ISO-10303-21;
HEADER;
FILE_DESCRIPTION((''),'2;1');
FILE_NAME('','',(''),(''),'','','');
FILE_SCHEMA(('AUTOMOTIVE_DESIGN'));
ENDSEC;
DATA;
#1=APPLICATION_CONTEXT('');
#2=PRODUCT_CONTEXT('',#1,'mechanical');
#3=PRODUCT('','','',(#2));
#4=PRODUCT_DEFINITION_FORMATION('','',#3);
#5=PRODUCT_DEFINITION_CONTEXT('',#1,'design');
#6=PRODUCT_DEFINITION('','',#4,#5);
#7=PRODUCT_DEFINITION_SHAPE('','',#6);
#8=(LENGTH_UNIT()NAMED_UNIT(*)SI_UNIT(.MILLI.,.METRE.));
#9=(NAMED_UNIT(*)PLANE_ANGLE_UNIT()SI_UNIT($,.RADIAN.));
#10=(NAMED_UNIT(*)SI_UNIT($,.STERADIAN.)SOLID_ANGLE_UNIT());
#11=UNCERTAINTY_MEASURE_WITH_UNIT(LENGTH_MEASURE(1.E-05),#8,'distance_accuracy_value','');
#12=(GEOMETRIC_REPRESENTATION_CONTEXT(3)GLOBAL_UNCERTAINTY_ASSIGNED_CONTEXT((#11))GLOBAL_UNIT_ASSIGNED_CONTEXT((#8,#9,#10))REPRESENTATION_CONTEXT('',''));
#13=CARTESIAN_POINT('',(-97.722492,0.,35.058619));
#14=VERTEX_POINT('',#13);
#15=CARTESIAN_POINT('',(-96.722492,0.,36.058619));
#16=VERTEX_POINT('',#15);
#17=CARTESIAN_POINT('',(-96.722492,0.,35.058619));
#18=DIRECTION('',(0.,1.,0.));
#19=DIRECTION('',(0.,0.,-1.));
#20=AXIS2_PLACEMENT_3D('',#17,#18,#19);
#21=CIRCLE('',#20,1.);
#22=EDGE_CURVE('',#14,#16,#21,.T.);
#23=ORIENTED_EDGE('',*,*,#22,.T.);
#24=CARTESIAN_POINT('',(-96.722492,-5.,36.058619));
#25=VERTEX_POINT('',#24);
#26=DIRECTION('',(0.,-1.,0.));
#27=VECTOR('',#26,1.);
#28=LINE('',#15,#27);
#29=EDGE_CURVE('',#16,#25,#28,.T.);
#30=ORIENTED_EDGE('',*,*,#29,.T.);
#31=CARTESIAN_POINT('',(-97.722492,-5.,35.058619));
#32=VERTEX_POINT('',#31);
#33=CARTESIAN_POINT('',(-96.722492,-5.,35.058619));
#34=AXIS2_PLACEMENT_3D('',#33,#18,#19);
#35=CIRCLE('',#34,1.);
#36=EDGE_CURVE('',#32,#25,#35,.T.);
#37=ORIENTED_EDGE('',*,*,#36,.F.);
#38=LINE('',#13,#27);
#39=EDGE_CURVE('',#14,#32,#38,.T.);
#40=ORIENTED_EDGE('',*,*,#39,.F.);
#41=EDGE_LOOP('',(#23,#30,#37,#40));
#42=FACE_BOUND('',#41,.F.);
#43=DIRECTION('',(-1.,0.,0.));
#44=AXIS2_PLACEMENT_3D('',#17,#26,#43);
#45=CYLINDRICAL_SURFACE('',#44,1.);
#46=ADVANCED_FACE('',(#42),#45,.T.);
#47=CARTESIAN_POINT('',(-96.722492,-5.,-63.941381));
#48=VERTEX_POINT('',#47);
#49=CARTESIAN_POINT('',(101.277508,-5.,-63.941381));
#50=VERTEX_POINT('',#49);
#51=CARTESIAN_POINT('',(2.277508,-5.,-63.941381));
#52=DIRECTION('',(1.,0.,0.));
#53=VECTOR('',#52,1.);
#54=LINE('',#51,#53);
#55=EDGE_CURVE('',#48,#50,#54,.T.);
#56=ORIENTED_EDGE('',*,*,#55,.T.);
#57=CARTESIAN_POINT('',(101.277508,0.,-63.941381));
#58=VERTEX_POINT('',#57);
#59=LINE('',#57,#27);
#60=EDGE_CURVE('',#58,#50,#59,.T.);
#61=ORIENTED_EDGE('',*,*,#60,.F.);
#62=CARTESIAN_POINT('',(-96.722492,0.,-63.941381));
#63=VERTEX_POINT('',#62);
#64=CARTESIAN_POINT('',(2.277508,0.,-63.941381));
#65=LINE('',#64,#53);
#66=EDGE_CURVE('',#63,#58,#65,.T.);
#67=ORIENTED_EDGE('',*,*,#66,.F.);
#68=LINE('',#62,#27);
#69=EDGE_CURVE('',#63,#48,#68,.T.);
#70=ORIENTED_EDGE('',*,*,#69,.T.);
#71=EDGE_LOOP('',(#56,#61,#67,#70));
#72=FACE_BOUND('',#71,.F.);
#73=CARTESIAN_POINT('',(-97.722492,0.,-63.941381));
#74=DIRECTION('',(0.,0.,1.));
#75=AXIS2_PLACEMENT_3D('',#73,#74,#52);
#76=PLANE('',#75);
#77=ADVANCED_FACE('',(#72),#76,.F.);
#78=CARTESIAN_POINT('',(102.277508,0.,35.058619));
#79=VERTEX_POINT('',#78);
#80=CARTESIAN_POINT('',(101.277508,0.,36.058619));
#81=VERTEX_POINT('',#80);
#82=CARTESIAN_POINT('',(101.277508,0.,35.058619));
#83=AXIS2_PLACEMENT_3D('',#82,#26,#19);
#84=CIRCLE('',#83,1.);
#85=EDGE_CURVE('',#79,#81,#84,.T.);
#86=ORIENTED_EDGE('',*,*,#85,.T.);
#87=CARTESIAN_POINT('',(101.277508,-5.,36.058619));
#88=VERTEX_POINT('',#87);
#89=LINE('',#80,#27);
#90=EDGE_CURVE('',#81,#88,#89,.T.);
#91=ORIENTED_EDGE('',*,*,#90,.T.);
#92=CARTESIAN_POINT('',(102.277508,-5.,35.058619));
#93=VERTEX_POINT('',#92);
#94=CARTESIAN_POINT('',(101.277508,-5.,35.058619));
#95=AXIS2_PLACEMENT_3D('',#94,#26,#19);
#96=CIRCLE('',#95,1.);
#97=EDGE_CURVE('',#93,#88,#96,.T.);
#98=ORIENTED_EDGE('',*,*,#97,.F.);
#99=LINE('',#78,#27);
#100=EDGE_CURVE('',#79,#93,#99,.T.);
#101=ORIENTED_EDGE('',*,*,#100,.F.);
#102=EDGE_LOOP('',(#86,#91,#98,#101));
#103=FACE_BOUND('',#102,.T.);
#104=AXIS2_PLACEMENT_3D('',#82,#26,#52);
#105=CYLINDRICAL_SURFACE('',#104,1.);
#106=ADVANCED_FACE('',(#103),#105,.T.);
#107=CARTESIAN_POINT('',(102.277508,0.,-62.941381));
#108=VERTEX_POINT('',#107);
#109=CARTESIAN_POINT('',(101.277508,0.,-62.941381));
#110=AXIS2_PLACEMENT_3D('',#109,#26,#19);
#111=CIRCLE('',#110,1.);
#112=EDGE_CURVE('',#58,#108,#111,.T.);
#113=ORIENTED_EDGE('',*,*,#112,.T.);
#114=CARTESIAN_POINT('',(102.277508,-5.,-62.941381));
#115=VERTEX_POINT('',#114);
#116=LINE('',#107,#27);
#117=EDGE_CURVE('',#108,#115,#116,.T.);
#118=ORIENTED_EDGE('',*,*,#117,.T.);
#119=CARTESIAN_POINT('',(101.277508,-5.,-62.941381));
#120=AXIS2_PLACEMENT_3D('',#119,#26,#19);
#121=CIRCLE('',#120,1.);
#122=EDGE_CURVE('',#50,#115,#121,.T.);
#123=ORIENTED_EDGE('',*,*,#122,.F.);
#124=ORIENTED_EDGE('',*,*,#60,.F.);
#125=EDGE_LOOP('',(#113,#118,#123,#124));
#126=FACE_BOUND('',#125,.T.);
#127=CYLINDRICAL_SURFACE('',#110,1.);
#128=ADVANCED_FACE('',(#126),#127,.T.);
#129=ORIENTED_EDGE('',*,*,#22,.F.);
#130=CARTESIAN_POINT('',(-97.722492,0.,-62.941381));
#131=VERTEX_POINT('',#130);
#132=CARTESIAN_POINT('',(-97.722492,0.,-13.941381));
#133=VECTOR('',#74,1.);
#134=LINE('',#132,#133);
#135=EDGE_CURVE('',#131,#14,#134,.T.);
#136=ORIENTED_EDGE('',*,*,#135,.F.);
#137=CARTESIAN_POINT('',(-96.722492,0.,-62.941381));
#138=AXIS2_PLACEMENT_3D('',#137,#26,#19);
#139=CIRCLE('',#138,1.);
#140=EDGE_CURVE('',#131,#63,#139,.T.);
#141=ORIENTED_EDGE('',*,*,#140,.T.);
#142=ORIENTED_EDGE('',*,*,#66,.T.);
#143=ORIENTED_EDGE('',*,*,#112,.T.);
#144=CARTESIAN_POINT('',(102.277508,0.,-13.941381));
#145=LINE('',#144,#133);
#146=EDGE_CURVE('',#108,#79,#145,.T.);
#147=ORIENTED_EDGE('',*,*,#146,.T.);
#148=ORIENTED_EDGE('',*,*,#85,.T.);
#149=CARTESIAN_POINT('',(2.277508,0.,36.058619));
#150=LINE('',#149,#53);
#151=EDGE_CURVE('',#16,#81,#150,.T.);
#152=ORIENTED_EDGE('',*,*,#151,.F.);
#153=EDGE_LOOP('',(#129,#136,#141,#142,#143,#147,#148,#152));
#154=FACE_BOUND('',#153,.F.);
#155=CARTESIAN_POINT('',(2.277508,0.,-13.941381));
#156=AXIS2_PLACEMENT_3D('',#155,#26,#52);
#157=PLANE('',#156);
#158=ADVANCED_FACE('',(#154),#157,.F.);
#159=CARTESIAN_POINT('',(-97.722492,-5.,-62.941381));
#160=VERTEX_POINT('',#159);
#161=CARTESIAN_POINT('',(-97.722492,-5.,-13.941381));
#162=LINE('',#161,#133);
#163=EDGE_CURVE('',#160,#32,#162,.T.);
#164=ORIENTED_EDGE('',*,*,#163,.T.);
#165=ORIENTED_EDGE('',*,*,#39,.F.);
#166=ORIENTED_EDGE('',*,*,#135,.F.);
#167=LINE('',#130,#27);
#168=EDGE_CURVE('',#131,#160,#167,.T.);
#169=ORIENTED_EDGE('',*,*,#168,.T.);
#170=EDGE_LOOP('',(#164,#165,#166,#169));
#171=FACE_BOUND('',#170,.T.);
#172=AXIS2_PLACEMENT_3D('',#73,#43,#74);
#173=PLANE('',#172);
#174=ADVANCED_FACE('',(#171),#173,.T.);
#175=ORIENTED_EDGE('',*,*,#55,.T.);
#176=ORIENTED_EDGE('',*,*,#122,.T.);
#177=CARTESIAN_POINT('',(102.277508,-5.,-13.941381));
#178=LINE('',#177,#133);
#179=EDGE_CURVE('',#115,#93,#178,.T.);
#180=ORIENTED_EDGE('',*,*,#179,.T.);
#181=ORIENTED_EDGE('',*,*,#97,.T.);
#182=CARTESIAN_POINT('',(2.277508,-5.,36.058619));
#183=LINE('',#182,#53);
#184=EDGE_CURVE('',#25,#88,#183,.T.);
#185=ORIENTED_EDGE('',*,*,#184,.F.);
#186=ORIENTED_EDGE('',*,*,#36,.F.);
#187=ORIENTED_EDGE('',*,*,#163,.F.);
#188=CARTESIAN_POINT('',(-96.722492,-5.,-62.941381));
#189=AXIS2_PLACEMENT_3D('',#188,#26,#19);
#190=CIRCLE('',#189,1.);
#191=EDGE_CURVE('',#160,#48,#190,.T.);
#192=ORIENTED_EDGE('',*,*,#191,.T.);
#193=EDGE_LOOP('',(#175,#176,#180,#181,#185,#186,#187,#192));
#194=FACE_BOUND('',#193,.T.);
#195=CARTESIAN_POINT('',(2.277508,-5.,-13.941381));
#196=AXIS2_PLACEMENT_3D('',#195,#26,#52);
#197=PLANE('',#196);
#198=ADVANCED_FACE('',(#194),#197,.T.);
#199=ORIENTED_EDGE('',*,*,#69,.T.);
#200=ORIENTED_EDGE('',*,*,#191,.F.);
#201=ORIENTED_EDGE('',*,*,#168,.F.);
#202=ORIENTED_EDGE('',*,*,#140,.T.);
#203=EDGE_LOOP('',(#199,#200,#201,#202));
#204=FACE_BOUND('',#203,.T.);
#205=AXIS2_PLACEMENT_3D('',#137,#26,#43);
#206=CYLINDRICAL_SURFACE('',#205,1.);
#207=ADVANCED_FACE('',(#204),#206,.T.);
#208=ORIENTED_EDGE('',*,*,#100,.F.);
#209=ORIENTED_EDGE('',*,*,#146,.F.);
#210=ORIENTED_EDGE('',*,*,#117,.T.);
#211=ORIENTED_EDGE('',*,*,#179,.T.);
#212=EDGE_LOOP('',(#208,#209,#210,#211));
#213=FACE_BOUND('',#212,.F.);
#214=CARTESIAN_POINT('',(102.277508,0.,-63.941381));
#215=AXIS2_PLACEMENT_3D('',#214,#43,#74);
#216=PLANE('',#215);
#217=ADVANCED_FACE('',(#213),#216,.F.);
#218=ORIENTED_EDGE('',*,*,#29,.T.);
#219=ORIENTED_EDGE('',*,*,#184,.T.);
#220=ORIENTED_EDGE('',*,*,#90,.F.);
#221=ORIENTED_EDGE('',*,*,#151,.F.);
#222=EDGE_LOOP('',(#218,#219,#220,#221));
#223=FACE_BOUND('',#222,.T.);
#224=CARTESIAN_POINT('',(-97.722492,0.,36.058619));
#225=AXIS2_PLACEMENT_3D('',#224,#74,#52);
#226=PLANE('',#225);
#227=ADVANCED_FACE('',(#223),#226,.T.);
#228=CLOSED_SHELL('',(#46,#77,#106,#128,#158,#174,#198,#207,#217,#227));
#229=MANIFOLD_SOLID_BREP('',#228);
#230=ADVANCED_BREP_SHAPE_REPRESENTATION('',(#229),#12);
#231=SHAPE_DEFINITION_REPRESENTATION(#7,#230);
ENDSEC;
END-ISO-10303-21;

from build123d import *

# Parameters (mm, degrees)
F0_W     = 200
F0_H     = 100
F1_DEPTH = 5
F2_R     = 1


with BuildPart() as f1:
    # F0 (on Front) → F1 (new body)
    with BuildSketch(Plane.XZ):
        with Locations((2.277508, -13.941381)):
            Rectangle(F0_W, F0_H)
    extrude(amount=F1_DEPTH)

    # F2
    f2_edges = [f1.edges().sort_by_distance(p)[0] for p in [
        (-97.722492, -2.5, 36.058619),
        (-97.722492, -2.5, -63.941381),
        (102.277508, -2.5, -63.941381),
        (102.277508, -2.5, 36.058619),
    ]]
    fillet(f2_edges, radius=F2_R)


solid = f1.part
